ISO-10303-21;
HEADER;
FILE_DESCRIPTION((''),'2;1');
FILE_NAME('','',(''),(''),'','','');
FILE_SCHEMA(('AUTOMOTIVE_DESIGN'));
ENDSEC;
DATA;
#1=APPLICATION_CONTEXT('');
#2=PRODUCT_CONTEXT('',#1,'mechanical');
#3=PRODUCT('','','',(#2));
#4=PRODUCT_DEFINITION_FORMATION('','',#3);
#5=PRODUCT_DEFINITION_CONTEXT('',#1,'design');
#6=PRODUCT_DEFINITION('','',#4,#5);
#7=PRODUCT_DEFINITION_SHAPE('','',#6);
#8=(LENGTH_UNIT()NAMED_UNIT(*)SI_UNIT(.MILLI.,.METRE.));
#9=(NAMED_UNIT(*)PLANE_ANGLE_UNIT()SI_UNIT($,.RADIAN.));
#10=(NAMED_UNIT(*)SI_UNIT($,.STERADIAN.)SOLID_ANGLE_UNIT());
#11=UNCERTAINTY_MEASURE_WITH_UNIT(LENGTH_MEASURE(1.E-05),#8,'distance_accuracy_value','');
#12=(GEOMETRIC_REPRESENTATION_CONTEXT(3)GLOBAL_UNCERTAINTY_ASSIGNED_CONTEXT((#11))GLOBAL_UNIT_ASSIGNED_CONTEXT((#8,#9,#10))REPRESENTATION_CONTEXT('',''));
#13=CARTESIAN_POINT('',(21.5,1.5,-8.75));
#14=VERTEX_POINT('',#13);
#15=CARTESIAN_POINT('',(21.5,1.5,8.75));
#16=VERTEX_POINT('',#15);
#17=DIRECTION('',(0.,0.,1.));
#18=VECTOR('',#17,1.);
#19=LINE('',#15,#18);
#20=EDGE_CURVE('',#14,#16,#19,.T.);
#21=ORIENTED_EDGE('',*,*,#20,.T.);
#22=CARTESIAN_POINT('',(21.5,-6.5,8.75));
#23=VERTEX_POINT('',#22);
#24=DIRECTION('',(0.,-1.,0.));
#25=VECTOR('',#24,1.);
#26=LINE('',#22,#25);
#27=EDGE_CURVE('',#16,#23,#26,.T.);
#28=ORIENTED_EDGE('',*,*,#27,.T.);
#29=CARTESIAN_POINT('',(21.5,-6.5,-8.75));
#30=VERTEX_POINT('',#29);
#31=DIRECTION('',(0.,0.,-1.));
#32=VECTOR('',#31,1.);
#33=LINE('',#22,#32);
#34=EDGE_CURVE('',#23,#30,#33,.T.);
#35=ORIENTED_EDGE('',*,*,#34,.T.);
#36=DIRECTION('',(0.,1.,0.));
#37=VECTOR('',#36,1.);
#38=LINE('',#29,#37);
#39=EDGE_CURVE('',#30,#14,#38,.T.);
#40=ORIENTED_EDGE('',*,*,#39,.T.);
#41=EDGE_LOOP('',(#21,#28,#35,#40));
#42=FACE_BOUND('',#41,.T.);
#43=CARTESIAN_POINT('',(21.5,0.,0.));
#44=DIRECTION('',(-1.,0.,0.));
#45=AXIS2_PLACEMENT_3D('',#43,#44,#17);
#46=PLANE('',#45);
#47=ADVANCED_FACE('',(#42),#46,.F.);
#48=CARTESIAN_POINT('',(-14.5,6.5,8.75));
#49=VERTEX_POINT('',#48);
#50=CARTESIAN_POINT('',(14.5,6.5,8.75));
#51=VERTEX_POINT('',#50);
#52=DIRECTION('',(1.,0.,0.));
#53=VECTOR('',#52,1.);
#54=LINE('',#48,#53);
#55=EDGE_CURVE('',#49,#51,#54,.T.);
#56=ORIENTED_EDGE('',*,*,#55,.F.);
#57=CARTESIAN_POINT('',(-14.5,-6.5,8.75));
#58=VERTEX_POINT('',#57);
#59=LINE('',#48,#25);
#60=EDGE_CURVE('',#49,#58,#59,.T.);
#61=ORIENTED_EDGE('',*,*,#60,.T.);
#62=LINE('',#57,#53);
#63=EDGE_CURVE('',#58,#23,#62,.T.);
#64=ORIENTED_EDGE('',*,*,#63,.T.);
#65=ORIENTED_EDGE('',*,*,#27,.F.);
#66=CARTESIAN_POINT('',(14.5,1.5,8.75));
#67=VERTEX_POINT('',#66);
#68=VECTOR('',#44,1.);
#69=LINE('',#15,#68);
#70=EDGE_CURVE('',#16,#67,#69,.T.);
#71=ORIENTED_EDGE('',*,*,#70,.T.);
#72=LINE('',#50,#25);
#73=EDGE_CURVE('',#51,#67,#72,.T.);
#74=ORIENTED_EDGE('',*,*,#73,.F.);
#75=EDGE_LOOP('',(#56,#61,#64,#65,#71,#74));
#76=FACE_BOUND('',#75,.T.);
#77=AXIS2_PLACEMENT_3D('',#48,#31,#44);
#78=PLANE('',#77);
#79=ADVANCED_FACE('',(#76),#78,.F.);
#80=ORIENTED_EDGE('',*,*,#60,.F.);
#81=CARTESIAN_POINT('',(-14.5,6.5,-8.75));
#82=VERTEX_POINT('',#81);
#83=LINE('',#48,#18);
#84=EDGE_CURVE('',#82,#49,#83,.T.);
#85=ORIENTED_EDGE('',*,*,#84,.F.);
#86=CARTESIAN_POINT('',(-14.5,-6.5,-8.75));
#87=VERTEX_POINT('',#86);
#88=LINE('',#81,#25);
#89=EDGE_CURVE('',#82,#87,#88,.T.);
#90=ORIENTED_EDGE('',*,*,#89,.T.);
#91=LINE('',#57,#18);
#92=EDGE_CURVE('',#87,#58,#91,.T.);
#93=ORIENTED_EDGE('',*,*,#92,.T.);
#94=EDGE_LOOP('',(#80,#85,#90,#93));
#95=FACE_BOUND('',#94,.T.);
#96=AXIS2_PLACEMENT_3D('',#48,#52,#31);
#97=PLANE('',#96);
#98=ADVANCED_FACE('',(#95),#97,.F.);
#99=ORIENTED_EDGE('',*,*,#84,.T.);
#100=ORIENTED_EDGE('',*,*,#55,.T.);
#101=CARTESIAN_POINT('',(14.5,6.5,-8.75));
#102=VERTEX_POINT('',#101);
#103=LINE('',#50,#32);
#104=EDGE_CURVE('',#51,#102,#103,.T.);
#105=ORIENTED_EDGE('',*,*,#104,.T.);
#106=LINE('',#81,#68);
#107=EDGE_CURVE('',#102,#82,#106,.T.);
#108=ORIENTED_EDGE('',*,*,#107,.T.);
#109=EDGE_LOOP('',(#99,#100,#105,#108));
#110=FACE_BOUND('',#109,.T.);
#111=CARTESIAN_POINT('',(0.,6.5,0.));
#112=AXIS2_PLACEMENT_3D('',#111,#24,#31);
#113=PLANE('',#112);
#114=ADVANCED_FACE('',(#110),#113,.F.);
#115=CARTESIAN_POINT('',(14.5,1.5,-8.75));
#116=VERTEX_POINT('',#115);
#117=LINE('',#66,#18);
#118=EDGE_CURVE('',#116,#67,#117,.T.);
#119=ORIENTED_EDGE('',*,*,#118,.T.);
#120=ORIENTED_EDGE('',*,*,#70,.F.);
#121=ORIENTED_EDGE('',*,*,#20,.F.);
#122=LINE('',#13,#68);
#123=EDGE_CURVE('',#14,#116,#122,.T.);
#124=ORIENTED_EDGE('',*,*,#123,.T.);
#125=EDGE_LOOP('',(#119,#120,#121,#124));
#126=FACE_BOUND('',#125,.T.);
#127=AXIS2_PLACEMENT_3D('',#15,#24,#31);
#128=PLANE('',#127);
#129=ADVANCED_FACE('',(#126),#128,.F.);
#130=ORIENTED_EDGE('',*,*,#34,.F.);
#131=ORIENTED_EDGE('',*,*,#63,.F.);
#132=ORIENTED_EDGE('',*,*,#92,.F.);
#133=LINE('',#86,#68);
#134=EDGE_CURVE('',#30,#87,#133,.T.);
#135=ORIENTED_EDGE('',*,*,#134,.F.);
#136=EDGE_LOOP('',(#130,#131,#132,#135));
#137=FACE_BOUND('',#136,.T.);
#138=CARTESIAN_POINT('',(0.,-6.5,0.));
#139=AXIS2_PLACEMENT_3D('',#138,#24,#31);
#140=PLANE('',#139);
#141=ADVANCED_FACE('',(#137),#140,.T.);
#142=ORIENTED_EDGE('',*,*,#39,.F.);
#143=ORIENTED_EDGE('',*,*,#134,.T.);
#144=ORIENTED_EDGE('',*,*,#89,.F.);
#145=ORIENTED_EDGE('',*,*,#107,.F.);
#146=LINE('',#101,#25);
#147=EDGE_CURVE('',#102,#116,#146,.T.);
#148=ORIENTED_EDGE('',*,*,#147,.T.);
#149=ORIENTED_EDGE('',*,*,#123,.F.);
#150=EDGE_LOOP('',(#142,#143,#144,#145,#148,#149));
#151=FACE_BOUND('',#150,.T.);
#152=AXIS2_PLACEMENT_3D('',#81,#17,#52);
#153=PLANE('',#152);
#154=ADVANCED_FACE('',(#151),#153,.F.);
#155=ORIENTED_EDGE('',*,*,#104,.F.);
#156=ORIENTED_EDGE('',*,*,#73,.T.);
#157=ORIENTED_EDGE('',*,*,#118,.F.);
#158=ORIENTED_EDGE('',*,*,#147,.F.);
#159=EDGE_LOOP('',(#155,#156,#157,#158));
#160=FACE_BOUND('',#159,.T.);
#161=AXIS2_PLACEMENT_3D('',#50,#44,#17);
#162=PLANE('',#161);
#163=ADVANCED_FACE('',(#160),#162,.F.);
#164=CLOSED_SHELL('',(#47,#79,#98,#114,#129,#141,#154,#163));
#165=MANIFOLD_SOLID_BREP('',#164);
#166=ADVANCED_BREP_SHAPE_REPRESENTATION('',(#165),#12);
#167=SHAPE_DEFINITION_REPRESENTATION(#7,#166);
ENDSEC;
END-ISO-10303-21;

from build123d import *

# Parameters (mm, degrees)
SKETCH1_W           = 29
SKETCH1_H           = 17.5
BOSS_EXTRUDE1_DEPTH = 6.5
SKETCH2_W           = 17.5
SKETCH2_H           = 8
BOSS_EXTRUDE2_DEPTH = 7


with BuildPart() as part:
    # Sketch1 → Boss-Extrude1 (new, symmetric)
    with BuildSketch(Plane(origin=(0, 0, 0), x_dir=(1, 0, 0), z_dir=(0, 1, 0))):
        Rectangle(SKETCH1_W, SKETCH1_H)
    extrude(amount=BOSS_EXTRUDE1_DEPTH, both=True)

    # Sketch2 → Boss-Extrude2 (add)
    with BuildSketch(Plane(origin=(14.5, 0, 0), x_dir=(0, 0, -1), z_dir=(1, 0, 0))):
        with Locations((0, -2.5)):
            Rectangle(SKETCH2_W, SKETCH2_H)
    extrude(amount=BOSS_EXTRUDE2_DEPTH)


solid = part.part
